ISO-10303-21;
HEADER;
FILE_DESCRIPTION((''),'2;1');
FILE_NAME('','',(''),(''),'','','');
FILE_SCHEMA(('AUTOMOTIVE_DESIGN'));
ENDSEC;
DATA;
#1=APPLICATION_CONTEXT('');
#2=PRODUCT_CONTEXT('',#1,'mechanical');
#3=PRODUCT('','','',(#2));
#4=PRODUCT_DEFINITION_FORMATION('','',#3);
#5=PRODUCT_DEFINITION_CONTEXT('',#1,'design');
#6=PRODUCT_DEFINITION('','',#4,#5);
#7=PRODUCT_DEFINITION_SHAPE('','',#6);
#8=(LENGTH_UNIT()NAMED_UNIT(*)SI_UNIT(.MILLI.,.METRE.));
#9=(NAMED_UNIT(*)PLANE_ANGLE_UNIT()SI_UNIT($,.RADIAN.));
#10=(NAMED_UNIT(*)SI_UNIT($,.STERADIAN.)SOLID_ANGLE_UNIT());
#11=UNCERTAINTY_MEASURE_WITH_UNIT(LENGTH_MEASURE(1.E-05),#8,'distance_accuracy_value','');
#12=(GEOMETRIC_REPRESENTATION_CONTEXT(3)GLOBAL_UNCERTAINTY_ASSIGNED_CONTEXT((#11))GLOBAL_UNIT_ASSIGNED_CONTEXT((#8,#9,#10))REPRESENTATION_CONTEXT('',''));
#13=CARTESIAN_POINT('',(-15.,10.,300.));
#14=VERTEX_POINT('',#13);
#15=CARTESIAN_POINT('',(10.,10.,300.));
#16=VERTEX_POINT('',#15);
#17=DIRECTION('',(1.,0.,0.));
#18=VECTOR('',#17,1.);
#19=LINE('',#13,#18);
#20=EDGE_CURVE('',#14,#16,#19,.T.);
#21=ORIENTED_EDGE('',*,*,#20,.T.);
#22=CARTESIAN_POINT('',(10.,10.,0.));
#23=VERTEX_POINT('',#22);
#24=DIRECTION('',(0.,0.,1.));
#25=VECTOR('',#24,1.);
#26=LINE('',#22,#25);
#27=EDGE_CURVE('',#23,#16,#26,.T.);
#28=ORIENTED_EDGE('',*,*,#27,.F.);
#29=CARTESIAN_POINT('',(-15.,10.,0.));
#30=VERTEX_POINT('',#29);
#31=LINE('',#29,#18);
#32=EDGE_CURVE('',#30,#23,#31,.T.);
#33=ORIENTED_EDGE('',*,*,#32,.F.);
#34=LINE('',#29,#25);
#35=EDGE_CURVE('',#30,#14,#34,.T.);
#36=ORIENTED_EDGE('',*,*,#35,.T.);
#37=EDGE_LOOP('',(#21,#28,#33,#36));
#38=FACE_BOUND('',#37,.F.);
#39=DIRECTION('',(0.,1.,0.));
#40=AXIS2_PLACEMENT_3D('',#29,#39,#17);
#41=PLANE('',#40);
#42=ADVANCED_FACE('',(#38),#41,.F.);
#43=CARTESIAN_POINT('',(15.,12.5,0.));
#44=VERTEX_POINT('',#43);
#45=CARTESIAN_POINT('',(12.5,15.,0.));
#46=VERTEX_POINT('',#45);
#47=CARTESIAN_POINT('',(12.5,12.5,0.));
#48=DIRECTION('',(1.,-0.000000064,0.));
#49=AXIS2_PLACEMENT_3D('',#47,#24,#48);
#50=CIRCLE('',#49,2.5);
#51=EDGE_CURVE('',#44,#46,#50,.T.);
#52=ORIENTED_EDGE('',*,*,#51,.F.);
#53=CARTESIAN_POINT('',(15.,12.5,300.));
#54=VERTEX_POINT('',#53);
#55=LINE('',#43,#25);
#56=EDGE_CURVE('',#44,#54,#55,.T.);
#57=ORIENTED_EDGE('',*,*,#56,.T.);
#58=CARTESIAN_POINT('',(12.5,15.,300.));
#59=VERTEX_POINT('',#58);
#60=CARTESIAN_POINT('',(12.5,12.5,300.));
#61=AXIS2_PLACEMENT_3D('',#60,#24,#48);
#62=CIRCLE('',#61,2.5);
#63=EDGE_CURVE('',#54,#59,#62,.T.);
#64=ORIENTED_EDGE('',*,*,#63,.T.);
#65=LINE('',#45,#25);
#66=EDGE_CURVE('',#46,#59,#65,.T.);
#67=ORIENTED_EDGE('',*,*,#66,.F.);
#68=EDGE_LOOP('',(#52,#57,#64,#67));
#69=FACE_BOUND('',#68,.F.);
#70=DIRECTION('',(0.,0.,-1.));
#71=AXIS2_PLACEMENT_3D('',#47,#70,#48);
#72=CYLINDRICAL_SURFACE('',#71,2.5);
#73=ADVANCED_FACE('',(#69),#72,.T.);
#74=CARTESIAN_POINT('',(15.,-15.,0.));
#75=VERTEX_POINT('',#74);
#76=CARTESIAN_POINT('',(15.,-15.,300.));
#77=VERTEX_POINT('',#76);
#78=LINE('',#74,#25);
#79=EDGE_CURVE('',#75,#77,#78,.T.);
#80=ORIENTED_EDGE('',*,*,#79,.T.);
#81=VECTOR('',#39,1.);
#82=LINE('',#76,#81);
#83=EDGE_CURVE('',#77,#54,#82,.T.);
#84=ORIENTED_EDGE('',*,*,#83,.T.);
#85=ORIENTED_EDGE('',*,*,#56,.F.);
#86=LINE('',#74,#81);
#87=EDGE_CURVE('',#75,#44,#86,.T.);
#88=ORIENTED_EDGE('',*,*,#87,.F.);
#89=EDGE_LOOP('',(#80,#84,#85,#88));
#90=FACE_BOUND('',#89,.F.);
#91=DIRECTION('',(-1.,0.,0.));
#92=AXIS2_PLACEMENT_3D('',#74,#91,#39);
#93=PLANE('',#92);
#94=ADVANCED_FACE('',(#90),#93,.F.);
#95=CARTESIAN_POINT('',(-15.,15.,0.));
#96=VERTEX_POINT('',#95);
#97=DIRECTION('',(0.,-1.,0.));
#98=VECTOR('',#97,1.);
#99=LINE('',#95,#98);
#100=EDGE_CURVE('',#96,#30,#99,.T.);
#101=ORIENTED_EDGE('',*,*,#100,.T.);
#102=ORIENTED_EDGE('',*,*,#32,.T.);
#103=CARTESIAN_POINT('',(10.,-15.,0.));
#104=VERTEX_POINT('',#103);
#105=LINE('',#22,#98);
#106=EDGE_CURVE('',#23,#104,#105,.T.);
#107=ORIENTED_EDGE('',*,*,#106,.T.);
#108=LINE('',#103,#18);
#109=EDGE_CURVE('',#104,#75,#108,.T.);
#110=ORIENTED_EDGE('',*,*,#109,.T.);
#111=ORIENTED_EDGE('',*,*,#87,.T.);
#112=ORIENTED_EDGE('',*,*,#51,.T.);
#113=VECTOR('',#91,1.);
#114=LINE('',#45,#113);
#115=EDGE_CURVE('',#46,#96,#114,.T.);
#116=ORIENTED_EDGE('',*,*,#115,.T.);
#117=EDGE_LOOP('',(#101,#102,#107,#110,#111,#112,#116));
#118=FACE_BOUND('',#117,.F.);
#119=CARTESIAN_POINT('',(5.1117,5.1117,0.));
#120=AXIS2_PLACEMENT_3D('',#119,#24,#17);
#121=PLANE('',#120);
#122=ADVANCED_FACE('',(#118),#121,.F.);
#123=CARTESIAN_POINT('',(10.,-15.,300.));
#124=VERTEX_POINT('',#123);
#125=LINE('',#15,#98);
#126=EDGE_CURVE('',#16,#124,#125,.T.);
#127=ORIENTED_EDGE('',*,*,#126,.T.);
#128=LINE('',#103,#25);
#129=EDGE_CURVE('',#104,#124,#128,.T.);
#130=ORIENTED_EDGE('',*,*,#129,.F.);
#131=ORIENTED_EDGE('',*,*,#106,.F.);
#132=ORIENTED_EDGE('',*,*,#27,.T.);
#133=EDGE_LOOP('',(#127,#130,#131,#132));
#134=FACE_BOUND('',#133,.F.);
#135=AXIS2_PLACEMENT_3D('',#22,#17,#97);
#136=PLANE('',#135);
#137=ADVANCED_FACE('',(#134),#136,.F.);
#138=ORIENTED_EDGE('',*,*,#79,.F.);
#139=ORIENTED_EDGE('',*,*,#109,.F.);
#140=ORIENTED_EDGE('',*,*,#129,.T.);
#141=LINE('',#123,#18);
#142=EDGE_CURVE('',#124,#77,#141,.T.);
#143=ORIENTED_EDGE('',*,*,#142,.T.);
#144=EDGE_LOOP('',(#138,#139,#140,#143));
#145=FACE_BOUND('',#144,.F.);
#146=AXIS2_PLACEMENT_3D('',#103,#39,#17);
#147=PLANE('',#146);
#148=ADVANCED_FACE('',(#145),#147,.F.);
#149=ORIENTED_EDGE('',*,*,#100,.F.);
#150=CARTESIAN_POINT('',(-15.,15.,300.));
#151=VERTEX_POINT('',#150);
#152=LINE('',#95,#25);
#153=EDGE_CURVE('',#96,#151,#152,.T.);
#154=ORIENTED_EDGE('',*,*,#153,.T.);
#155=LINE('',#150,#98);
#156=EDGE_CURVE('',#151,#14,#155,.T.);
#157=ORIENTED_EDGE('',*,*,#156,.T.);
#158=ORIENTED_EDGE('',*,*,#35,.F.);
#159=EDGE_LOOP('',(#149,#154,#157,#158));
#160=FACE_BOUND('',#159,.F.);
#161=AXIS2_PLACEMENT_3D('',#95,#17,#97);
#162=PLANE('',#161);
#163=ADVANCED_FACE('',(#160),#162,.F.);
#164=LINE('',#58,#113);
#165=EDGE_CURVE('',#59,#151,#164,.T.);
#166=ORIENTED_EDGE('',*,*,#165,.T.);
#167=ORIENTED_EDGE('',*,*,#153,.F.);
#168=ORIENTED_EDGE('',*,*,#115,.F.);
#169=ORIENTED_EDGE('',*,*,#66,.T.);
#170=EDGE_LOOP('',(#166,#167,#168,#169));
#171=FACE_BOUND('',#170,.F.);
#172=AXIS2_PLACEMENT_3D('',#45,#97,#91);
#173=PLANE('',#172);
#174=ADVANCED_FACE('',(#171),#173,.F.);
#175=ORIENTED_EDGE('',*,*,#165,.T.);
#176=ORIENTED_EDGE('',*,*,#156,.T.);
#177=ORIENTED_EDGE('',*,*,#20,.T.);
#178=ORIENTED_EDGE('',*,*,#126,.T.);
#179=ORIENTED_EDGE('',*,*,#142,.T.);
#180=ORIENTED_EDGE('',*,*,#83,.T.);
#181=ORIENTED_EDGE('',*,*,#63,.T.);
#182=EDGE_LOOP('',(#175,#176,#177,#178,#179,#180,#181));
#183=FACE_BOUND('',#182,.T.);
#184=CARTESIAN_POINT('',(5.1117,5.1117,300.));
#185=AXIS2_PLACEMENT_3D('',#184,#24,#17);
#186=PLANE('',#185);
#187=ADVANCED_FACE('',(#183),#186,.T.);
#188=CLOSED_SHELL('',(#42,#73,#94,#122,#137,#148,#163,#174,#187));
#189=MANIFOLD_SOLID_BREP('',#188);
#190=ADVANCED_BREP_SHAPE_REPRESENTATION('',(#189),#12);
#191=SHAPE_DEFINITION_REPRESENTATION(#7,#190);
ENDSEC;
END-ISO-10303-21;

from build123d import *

# Parameters (mm, degrees)
F1_DEPTH = 300


with BuildPart() as f1:
    # F0 (on Top) → F1 (new body)
    with BuildSketch(Plane.XY):
        with BuildLine():
            Line((12.5, 15), (-15, 15))
            Line((-15, 15), (-15, 10))
            Line((-15, 10), (10, 10))
            Line((10, 10), (10, -15))
            Line((10, -15), (15, -15))
            Line((15, -15), (15, 12.5))
            ThreePointArc((15, 12.5), (14.267767, 14.267767), (12.5, 15))
        make_face()
    extrude(amount=F1_DEPTH)


solid = f1.part
